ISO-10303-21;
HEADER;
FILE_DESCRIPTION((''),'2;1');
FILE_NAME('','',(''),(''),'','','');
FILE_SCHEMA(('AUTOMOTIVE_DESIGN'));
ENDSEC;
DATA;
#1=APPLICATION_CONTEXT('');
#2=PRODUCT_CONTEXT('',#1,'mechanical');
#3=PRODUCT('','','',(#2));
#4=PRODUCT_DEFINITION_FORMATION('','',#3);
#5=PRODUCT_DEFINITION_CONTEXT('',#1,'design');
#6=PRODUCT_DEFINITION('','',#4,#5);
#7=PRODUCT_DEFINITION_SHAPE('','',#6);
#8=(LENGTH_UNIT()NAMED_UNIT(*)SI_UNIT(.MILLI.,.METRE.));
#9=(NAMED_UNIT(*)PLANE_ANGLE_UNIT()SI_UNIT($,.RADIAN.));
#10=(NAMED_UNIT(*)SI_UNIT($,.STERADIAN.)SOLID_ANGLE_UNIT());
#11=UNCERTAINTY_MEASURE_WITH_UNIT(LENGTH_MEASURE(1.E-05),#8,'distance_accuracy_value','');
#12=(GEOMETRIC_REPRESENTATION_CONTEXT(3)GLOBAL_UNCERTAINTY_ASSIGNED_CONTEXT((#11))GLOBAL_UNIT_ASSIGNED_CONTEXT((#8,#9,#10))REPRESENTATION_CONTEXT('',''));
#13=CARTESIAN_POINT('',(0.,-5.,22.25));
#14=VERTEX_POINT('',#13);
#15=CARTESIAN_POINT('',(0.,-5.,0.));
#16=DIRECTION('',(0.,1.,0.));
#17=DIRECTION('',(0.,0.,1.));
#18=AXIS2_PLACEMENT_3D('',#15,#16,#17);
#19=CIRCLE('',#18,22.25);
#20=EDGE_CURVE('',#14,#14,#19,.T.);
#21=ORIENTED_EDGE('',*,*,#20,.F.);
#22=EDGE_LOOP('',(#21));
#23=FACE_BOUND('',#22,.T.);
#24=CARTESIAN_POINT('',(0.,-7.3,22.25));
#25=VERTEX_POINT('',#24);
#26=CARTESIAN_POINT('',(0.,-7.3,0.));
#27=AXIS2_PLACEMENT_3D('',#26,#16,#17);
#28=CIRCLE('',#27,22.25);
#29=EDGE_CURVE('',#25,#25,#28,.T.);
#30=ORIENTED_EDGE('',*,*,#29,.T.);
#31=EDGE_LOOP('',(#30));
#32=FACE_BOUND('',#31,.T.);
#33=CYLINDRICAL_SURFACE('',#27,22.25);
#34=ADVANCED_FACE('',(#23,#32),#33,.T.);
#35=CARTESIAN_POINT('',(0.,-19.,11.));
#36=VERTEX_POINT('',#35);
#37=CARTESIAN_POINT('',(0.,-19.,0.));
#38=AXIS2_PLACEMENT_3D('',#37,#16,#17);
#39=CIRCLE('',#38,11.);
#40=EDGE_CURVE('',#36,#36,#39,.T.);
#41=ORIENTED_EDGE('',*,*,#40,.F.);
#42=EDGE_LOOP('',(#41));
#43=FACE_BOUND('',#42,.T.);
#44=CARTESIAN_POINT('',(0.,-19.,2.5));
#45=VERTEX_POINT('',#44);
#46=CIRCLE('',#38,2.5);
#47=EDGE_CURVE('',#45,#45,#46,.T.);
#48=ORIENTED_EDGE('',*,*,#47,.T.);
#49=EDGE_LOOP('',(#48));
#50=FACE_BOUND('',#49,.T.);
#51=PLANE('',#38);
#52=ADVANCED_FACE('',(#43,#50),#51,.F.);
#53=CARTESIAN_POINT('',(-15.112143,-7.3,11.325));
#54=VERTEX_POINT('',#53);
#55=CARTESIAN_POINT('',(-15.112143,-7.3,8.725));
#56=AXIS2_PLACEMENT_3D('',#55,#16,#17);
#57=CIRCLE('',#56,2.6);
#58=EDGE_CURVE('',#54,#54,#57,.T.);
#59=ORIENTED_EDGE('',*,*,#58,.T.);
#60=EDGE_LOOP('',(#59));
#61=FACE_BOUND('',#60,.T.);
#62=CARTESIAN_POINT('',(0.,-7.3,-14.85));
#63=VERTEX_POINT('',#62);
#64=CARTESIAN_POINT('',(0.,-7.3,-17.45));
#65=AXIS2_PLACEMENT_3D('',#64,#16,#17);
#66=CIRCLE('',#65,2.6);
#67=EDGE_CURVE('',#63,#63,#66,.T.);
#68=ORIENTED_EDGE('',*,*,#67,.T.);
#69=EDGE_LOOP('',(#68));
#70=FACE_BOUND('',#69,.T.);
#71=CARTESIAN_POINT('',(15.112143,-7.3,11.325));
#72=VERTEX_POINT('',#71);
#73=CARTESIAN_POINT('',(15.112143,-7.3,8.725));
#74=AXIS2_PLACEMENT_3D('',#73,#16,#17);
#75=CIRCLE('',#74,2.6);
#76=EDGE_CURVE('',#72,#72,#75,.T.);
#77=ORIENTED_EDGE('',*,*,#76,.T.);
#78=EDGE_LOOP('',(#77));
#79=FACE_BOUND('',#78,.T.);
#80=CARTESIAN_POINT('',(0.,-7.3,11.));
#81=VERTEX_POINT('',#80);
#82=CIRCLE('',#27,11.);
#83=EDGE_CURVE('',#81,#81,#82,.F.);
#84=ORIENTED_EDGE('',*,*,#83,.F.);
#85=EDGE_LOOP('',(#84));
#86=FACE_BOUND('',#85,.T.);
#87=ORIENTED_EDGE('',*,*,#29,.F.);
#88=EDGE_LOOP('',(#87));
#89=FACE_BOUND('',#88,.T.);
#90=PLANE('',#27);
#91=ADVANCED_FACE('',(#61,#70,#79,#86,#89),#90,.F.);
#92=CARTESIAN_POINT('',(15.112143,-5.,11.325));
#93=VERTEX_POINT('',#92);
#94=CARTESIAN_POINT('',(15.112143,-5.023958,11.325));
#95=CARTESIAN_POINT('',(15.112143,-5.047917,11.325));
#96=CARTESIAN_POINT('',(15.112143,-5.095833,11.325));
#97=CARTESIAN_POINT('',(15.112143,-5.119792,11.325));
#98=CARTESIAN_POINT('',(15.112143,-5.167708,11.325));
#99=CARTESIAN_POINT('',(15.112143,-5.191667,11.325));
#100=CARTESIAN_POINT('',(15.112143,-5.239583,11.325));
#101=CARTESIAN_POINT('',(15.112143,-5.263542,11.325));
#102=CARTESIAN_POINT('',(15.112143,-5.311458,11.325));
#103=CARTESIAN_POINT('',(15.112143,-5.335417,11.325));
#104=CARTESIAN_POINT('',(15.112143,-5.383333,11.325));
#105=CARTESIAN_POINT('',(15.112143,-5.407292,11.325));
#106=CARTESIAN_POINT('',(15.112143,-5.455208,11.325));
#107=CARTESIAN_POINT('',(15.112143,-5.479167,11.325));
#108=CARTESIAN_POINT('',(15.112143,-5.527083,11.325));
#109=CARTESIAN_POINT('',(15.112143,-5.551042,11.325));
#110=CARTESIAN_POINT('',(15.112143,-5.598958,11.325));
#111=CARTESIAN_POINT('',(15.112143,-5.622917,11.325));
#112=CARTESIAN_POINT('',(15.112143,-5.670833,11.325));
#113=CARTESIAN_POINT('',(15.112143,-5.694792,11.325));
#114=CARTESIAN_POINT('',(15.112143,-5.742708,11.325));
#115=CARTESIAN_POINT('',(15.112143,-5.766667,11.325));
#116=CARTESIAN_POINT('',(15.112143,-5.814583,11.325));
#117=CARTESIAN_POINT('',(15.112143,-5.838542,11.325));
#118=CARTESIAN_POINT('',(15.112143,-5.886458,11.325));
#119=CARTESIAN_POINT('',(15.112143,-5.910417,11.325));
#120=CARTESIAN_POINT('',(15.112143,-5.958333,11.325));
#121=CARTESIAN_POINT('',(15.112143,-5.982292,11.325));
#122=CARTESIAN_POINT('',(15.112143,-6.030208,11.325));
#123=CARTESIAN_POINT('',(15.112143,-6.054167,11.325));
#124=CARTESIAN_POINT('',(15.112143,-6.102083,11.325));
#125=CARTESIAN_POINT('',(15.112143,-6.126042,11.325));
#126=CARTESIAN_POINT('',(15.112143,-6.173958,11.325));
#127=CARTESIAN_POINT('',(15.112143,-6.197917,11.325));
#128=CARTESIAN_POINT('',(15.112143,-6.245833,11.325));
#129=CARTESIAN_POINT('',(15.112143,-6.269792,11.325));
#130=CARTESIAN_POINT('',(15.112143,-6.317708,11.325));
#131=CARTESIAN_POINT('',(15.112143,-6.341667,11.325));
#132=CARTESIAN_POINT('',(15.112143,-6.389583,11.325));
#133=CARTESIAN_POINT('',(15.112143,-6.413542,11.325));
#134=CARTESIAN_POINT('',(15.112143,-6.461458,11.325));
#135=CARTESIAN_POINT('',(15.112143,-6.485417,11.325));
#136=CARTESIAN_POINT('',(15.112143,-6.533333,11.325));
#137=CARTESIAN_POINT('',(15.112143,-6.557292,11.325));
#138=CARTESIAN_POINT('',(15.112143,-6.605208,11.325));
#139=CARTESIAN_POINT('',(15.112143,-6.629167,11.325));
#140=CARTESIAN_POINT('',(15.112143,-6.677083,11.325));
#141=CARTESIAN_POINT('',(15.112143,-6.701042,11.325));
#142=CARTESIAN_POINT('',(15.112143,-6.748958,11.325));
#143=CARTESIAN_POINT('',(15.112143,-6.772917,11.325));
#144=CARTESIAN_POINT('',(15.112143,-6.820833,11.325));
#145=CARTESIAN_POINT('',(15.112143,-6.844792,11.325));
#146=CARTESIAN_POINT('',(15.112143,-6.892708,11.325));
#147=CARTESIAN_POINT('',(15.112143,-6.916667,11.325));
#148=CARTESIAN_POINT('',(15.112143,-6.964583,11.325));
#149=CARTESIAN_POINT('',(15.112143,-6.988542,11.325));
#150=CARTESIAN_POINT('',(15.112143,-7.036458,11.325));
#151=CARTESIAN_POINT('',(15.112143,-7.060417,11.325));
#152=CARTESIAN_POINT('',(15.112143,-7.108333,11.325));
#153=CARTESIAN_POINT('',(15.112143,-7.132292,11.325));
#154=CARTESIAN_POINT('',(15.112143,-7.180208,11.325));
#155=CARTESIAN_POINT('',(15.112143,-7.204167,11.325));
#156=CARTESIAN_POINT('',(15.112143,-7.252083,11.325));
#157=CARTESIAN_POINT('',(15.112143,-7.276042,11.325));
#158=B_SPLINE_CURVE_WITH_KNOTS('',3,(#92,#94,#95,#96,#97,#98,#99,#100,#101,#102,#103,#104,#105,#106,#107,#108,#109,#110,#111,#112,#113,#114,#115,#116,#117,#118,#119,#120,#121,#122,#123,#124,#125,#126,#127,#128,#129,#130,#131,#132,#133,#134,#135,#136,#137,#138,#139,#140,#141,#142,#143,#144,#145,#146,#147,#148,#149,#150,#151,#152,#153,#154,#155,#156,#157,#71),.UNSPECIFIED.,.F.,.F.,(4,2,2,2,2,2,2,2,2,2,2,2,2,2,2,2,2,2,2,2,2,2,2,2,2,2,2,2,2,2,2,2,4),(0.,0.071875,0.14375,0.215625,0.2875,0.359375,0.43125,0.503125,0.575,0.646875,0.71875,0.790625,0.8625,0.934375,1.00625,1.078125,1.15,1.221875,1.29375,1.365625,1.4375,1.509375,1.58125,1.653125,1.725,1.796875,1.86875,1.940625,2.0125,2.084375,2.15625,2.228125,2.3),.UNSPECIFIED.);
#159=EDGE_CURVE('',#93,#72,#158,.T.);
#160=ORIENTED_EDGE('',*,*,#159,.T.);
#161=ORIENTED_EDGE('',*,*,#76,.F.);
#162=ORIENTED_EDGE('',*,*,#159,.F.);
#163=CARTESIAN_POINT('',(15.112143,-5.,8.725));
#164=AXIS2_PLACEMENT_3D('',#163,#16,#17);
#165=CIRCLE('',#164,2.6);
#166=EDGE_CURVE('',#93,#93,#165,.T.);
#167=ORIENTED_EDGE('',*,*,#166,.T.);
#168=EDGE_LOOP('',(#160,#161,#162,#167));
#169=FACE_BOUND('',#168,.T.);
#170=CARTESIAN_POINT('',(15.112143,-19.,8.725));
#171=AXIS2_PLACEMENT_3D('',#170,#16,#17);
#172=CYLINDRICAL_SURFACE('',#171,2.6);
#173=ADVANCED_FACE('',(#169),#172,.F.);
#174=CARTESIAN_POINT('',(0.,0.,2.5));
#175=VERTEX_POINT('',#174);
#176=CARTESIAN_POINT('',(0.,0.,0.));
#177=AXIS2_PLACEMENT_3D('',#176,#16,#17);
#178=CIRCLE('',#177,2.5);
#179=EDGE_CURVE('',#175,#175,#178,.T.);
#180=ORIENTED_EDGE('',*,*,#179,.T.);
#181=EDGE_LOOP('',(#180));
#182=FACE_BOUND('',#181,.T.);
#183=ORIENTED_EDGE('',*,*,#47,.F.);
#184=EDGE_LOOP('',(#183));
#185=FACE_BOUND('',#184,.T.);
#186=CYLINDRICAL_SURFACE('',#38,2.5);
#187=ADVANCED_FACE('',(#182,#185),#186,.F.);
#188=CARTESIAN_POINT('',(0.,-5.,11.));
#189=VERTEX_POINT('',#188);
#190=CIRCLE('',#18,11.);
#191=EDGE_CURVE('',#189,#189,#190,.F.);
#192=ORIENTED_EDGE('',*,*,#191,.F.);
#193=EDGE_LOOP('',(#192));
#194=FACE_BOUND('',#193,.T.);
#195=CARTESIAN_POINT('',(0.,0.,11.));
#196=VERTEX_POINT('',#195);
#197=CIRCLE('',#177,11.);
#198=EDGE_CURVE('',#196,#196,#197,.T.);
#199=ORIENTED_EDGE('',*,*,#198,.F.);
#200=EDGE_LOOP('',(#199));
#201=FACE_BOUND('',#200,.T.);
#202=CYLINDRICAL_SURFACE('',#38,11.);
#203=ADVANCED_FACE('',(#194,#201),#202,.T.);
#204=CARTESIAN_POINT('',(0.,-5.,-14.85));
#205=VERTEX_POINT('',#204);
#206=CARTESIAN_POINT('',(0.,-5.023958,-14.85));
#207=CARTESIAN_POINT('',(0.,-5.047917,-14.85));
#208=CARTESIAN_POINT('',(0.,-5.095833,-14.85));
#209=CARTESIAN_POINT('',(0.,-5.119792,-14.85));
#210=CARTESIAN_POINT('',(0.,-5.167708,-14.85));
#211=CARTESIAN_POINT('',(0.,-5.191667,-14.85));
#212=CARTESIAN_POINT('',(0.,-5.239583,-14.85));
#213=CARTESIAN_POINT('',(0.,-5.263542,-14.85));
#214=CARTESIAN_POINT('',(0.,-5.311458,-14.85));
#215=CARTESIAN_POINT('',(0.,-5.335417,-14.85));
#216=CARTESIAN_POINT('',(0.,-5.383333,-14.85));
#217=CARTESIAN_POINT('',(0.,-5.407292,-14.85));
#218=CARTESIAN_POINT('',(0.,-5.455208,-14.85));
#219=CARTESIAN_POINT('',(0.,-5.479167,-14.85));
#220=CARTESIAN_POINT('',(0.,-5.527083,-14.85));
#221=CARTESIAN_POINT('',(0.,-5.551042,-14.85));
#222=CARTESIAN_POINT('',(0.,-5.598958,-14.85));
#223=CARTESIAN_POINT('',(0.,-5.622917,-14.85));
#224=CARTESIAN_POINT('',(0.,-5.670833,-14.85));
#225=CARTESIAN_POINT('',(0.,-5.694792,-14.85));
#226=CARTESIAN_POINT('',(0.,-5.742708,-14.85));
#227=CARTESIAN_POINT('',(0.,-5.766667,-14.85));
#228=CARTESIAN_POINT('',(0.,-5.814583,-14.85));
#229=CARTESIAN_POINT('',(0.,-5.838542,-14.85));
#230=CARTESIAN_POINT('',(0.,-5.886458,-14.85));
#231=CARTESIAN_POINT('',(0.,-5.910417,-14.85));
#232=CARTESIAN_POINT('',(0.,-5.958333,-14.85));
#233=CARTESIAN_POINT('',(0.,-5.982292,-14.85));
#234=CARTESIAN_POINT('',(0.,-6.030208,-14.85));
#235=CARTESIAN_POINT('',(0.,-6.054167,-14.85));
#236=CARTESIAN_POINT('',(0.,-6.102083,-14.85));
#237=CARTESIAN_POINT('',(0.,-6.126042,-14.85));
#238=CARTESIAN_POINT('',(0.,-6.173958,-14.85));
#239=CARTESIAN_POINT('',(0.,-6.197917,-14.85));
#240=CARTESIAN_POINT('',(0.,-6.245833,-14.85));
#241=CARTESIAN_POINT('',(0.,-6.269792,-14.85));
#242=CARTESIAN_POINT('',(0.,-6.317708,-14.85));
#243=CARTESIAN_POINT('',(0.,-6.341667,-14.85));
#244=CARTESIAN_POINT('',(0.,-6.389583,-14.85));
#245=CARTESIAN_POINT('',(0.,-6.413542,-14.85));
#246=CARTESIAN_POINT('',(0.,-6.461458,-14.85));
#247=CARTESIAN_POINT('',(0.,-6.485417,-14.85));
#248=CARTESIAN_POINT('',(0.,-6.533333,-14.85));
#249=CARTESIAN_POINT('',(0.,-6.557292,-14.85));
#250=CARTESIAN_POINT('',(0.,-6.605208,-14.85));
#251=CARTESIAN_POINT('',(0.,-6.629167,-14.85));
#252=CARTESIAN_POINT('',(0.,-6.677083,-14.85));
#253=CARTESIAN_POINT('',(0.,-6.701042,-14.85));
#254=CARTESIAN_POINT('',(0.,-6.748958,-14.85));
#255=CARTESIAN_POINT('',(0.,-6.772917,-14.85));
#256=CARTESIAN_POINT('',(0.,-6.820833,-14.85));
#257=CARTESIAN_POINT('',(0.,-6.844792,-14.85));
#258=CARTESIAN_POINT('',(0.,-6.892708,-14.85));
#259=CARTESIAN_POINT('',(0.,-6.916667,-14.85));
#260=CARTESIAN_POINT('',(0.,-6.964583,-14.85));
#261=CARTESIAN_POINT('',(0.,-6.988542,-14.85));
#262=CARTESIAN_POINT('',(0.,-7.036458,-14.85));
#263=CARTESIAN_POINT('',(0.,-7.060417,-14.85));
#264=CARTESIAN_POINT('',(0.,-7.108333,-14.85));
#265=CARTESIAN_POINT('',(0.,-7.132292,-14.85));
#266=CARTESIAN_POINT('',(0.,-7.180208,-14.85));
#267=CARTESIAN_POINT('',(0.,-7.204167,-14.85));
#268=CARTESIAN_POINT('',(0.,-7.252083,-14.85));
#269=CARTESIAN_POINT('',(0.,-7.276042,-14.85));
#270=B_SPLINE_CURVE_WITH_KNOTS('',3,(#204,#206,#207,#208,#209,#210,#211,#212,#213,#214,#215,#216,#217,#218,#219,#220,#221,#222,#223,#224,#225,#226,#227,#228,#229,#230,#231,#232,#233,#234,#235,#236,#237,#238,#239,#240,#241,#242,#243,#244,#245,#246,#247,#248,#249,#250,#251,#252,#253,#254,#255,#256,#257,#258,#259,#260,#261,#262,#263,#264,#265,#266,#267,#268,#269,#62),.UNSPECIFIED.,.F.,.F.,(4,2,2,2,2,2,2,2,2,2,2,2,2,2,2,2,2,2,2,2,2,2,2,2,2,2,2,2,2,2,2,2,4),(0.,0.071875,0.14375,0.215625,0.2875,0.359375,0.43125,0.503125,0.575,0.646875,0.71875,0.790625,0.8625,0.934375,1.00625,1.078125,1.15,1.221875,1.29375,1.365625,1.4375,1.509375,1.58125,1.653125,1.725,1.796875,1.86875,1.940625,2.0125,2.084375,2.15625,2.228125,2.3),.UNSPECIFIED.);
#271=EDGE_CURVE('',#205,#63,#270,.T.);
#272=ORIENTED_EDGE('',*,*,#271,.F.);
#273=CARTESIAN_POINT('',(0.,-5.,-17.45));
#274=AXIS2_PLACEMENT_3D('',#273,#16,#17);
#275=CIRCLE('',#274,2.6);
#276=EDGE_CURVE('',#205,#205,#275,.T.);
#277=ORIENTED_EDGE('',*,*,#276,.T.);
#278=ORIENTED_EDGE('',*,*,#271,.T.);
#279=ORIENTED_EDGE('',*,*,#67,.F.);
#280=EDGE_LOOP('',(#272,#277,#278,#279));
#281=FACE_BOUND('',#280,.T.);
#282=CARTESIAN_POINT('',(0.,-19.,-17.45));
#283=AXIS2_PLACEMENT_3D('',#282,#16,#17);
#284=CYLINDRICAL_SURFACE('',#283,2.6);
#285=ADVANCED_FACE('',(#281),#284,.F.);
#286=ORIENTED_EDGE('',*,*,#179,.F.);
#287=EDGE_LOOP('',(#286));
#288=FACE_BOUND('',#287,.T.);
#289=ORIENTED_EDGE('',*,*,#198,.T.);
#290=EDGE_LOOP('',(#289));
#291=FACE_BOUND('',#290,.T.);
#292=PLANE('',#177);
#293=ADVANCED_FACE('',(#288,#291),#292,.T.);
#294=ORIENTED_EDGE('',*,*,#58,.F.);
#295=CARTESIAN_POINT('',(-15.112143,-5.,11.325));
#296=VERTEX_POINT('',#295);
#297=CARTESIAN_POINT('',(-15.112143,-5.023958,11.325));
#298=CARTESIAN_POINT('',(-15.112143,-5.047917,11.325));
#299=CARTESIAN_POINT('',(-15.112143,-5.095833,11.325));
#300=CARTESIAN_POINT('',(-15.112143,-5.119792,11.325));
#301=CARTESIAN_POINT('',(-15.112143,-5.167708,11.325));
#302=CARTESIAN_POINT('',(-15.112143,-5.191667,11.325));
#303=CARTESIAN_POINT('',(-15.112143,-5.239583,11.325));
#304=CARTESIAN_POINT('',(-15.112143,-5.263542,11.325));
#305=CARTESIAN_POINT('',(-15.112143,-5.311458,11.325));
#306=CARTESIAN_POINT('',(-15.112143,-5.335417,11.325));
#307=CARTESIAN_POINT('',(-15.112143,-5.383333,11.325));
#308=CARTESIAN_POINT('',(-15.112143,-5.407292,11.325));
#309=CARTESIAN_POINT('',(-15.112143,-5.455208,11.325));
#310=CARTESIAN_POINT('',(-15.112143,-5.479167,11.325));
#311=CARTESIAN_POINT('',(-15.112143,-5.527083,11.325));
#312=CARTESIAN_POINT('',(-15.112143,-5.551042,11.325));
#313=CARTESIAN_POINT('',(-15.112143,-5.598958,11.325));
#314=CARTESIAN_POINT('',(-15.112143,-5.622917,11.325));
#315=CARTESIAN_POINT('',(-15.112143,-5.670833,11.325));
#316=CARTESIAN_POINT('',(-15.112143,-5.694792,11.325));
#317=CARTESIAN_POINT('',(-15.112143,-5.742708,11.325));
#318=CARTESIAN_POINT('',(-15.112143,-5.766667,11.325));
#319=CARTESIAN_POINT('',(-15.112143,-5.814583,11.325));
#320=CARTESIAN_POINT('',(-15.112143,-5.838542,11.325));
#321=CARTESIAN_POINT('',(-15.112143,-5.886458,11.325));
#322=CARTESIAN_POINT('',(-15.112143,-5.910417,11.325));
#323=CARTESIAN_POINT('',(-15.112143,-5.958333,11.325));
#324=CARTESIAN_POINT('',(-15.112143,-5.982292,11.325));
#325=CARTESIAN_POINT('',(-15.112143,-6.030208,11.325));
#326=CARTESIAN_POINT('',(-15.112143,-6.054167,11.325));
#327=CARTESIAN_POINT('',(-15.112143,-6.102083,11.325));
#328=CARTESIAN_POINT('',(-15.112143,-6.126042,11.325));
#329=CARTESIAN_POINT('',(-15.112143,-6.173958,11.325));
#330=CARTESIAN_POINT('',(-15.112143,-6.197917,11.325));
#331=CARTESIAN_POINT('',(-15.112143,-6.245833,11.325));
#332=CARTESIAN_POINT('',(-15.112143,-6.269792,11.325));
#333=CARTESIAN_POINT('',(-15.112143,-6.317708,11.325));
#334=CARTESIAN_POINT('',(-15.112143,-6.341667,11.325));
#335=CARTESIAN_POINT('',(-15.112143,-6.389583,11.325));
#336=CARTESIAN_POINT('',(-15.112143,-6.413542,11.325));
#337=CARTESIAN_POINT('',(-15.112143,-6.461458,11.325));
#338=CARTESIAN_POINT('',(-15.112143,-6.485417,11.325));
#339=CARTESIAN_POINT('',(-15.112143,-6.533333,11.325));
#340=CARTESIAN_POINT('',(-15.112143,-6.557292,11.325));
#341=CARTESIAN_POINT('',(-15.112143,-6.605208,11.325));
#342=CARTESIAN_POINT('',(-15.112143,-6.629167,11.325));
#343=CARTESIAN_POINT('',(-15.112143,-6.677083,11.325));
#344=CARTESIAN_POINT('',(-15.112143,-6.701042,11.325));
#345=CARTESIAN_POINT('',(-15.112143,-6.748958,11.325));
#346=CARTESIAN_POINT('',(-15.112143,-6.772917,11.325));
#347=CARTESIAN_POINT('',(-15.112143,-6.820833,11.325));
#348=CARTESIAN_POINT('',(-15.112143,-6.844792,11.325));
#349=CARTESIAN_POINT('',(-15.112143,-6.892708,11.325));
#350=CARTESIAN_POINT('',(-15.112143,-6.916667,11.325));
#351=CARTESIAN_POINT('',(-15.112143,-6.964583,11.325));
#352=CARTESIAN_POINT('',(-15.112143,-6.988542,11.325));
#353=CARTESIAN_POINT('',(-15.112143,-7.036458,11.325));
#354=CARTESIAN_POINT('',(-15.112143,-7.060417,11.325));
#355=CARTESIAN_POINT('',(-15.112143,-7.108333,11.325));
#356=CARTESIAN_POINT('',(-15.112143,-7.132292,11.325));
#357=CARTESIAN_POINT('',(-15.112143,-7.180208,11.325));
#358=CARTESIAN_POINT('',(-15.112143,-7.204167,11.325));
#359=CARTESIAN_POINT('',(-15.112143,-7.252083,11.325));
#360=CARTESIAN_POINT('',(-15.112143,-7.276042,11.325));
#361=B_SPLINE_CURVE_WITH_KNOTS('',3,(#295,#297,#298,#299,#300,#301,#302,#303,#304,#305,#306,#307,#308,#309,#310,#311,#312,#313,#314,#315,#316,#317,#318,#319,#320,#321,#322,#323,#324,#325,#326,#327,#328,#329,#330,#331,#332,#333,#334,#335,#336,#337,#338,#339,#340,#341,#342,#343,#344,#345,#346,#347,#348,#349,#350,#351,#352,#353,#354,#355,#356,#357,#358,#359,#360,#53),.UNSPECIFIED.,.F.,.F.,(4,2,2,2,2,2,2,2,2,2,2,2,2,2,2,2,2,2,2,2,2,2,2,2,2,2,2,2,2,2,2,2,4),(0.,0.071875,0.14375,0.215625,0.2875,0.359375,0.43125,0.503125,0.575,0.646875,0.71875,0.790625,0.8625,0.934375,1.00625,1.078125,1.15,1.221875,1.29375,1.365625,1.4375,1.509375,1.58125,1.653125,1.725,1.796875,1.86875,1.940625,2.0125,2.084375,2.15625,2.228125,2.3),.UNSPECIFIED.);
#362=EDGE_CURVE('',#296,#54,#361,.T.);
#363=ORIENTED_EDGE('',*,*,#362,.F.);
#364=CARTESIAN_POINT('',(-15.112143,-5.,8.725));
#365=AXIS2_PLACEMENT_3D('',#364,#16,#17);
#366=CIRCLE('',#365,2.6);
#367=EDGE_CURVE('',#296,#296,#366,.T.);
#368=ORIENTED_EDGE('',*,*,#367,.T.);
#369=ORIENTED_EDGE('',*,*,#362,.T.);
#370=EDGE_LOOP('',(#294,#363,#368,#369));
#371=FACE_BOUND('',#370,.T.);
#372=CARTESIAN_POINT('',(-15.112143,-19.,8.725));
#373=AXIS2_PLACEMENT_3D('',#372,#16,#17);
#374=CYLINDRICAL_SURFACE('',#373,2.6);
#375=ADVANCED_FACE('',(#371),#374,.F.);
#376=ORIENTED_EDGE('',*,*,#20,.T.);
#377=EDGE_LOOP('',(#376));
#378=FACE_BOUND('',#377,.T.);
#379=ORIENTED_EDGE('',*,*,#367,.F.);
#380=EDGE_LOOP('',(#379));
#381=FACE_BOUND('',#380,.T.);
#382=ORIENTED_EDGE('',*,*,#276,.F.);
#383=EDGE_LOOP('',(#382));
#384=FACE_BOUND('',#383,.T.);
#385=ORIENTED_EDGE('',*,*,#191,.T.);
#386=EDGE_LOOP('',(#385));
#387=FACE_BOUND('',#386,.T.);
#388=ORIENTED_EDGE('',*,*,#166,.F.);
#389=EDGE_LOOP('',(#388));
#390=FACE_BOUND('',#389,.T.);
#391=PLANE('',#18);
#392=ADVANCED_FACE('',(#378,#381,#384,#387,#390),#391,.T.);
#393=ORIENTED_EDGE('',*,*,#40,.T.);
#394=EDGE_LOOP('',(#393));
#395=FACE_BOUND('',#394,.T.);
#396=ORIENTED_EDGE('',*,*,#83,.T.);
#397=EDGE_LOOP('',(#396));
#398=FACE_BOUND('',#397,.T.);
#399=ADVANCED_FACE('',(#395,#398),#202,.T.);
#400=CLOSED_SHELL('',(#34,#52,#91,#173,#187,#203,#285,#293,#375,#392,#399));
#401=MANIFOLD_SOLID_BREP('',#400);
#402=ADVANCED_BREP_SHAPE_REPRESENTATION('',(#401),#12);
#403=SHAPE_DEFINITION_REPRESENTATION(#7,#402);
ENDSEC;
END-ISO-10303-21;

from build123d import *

# Parameters (mm, degrees)
SKETCH_1_R          = 11
EXTRUDE_1_DEPTH     = 19
SKETCH_2_R          = 22.25
EXTRUDE_2_DEPTH     = 2.3
SKETCH_3_R          = 2.6
CUT_EXTRUDE_1_DEPTH = 35.440165505
SKETCH_4_R          = 2.5
CUT_EXTRUDE_2_DEPTH = 37.757652265


with BuildPart() as part:
    # 草图1 → 凸台-拉伸1 (new body)
    with BuildSketch(Plane(origin=(0, 0, 0), x_dir=(1, 0, 0), z_dir=(0, 1, 0))):
        with Locations(Location((0, 0, 0), (0, 0, 270))):
            Circle(SKETCH_1_R)
    extrude(amount=-EXTRUDE_1_DEPTH)

    # 草图2 → 凸台-拉伸2 (add)
    with BuildSketch(Plane(origin=(0, -5, 0), x_dir=(1, 0, 0), z_dir=(0, 1, 0))):
        with Locations(Location((0, 0, 0), (0, 0, 270))):
            Circle(SKETCH_2_R)
    extrude(amount=-EXTRUDE_2_DEPTH)

    # 草图3 → 切除-拉伸1 (cut, through all)
    with BuildSketch(Plane(origin=(0, -5, 0), x_dir=(1, 0, 0), z_dir=(0, 1, 0))):
        with Locations(Location((0, 17.45, 0), (0, 0, 270))):
            Circle(SKETCH_3_R)
        with Locations(Location((15.112143296, -8.725, 0), (0, 0, 270))):
            Circle(SKETCH_3_R)
        with Locations(Location((-15.112143296, -8.725, 0), (0, 0, 270))):
            Circle(SKETCH_3_R)
    extrude(amount=-CUT_EXTRUDE_1_DEPTH, mode=Mode.SUBTRACT)

    # 草图4 → 切除-拉伸2 (cut, through all)
    with BuildSketch(Plane(origin=(0, 0, 0), x_dir=(1, 0, 0), z_dir=(0, 1, 0))):
        with Locations(Location((0, 0, 0), (0, 0, 270))):
            Circle(SKETCH_4_R)
    extrude(amount=-CUT_EXTRUDE_2_DEPTH, mode=Mode.SUBTRACT)


solid = part.part
